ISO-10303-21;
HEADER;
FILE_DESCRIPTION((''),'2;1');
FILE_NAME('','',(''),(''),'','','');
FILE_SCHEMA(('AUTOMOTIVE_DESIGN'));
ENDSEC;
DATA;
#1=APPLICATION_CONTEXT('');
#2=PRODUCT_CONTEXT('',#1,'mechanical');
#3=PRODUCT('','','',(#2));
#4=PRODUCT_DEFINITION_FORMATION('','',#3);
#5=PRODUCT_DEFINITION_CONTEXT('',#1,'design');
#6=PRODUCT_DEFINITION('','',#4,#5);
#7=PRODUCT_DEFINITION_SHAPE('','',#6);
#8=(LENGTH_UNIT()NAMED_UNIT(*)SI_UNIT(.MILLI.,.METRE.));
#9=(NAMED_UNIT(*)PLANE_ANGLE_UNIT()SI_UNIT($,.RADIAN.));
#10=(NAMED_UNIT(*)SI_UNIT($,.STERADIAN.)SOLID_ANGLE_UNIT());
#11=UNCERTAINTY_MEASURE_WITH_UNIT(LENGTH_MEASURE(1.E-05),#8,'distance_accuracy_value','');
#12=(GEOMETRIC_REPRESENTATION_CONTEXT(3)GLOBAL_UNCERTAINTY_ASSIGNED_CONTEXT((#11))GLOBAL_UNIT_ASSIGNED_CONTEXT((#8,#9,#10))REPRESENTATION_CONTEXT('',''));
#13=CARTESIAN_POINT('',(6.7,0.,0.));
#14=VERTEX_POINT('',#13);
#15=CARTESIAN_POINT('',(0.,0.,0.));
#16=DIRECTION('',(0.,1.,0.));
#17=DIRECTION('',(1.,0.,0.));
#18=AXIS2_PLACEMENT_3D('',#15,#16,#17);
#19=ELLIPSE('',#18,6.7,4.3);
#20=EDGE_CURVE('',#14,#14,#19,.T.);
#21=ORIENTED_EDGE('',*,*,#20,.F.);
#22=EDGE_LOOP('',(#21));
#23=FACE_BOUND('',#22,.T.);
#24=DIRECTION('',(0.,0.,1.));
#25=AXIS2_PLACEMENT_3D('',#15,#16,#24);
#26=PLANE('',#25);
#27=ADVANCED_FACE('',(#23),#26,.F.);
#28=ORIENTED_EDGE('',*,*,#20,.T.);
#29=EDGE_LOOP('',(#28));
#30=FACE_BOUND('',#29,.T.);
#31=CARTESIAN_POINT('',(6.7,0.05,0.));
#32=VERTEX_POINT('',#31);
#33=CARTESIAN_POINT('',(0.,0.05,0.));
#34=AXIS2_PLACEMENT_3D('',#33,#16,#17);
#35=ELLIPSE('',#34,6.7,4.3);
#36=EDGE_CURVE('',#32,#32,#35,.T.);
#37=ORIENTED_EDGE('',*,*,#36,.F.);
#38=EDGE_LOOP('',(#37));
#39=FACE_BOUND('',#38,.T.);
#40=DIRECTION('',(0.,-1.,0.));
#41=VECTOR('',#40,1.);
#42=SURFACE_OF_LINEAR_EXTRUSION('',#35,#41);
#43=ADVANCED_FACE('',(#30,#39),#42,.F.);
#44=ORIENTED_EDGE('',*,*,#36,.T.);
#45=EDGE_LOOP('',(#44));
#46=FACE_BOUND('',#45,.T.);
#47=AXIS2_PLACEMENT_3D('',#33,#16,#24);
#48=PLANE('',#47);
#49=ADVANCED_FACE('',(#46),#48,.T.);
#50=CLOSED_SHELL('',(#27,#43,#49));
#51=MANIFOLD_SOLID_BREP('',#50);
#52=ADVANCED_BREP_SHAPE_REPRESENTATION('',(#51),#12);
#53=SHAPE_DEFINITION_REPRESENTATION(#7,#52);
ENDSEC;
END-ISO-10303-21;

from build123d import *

# Parameters (mm, degrees)
ESQUISSE1_RX       = 6.7
ESQUISSE1_RY       = 4.3
BOSS_EXTRU_1_DEPTH = 0.05


with BuildPart() as part:
    # Esquisse1 → Boss.-Extru.1 (new body)
    with BuildSketch(Plane(origin=(0, 0, 0), x_dir=(1, 0, 0), z_dir=(0, 1, 0))):
        with Locations((0, 0)):
            Ellipse(ESQUISSE1_RX, ESQUISSE1_RY)
    extrude(amount=BOSS_EXTRU_1_DEPTH)


solid = part.part
